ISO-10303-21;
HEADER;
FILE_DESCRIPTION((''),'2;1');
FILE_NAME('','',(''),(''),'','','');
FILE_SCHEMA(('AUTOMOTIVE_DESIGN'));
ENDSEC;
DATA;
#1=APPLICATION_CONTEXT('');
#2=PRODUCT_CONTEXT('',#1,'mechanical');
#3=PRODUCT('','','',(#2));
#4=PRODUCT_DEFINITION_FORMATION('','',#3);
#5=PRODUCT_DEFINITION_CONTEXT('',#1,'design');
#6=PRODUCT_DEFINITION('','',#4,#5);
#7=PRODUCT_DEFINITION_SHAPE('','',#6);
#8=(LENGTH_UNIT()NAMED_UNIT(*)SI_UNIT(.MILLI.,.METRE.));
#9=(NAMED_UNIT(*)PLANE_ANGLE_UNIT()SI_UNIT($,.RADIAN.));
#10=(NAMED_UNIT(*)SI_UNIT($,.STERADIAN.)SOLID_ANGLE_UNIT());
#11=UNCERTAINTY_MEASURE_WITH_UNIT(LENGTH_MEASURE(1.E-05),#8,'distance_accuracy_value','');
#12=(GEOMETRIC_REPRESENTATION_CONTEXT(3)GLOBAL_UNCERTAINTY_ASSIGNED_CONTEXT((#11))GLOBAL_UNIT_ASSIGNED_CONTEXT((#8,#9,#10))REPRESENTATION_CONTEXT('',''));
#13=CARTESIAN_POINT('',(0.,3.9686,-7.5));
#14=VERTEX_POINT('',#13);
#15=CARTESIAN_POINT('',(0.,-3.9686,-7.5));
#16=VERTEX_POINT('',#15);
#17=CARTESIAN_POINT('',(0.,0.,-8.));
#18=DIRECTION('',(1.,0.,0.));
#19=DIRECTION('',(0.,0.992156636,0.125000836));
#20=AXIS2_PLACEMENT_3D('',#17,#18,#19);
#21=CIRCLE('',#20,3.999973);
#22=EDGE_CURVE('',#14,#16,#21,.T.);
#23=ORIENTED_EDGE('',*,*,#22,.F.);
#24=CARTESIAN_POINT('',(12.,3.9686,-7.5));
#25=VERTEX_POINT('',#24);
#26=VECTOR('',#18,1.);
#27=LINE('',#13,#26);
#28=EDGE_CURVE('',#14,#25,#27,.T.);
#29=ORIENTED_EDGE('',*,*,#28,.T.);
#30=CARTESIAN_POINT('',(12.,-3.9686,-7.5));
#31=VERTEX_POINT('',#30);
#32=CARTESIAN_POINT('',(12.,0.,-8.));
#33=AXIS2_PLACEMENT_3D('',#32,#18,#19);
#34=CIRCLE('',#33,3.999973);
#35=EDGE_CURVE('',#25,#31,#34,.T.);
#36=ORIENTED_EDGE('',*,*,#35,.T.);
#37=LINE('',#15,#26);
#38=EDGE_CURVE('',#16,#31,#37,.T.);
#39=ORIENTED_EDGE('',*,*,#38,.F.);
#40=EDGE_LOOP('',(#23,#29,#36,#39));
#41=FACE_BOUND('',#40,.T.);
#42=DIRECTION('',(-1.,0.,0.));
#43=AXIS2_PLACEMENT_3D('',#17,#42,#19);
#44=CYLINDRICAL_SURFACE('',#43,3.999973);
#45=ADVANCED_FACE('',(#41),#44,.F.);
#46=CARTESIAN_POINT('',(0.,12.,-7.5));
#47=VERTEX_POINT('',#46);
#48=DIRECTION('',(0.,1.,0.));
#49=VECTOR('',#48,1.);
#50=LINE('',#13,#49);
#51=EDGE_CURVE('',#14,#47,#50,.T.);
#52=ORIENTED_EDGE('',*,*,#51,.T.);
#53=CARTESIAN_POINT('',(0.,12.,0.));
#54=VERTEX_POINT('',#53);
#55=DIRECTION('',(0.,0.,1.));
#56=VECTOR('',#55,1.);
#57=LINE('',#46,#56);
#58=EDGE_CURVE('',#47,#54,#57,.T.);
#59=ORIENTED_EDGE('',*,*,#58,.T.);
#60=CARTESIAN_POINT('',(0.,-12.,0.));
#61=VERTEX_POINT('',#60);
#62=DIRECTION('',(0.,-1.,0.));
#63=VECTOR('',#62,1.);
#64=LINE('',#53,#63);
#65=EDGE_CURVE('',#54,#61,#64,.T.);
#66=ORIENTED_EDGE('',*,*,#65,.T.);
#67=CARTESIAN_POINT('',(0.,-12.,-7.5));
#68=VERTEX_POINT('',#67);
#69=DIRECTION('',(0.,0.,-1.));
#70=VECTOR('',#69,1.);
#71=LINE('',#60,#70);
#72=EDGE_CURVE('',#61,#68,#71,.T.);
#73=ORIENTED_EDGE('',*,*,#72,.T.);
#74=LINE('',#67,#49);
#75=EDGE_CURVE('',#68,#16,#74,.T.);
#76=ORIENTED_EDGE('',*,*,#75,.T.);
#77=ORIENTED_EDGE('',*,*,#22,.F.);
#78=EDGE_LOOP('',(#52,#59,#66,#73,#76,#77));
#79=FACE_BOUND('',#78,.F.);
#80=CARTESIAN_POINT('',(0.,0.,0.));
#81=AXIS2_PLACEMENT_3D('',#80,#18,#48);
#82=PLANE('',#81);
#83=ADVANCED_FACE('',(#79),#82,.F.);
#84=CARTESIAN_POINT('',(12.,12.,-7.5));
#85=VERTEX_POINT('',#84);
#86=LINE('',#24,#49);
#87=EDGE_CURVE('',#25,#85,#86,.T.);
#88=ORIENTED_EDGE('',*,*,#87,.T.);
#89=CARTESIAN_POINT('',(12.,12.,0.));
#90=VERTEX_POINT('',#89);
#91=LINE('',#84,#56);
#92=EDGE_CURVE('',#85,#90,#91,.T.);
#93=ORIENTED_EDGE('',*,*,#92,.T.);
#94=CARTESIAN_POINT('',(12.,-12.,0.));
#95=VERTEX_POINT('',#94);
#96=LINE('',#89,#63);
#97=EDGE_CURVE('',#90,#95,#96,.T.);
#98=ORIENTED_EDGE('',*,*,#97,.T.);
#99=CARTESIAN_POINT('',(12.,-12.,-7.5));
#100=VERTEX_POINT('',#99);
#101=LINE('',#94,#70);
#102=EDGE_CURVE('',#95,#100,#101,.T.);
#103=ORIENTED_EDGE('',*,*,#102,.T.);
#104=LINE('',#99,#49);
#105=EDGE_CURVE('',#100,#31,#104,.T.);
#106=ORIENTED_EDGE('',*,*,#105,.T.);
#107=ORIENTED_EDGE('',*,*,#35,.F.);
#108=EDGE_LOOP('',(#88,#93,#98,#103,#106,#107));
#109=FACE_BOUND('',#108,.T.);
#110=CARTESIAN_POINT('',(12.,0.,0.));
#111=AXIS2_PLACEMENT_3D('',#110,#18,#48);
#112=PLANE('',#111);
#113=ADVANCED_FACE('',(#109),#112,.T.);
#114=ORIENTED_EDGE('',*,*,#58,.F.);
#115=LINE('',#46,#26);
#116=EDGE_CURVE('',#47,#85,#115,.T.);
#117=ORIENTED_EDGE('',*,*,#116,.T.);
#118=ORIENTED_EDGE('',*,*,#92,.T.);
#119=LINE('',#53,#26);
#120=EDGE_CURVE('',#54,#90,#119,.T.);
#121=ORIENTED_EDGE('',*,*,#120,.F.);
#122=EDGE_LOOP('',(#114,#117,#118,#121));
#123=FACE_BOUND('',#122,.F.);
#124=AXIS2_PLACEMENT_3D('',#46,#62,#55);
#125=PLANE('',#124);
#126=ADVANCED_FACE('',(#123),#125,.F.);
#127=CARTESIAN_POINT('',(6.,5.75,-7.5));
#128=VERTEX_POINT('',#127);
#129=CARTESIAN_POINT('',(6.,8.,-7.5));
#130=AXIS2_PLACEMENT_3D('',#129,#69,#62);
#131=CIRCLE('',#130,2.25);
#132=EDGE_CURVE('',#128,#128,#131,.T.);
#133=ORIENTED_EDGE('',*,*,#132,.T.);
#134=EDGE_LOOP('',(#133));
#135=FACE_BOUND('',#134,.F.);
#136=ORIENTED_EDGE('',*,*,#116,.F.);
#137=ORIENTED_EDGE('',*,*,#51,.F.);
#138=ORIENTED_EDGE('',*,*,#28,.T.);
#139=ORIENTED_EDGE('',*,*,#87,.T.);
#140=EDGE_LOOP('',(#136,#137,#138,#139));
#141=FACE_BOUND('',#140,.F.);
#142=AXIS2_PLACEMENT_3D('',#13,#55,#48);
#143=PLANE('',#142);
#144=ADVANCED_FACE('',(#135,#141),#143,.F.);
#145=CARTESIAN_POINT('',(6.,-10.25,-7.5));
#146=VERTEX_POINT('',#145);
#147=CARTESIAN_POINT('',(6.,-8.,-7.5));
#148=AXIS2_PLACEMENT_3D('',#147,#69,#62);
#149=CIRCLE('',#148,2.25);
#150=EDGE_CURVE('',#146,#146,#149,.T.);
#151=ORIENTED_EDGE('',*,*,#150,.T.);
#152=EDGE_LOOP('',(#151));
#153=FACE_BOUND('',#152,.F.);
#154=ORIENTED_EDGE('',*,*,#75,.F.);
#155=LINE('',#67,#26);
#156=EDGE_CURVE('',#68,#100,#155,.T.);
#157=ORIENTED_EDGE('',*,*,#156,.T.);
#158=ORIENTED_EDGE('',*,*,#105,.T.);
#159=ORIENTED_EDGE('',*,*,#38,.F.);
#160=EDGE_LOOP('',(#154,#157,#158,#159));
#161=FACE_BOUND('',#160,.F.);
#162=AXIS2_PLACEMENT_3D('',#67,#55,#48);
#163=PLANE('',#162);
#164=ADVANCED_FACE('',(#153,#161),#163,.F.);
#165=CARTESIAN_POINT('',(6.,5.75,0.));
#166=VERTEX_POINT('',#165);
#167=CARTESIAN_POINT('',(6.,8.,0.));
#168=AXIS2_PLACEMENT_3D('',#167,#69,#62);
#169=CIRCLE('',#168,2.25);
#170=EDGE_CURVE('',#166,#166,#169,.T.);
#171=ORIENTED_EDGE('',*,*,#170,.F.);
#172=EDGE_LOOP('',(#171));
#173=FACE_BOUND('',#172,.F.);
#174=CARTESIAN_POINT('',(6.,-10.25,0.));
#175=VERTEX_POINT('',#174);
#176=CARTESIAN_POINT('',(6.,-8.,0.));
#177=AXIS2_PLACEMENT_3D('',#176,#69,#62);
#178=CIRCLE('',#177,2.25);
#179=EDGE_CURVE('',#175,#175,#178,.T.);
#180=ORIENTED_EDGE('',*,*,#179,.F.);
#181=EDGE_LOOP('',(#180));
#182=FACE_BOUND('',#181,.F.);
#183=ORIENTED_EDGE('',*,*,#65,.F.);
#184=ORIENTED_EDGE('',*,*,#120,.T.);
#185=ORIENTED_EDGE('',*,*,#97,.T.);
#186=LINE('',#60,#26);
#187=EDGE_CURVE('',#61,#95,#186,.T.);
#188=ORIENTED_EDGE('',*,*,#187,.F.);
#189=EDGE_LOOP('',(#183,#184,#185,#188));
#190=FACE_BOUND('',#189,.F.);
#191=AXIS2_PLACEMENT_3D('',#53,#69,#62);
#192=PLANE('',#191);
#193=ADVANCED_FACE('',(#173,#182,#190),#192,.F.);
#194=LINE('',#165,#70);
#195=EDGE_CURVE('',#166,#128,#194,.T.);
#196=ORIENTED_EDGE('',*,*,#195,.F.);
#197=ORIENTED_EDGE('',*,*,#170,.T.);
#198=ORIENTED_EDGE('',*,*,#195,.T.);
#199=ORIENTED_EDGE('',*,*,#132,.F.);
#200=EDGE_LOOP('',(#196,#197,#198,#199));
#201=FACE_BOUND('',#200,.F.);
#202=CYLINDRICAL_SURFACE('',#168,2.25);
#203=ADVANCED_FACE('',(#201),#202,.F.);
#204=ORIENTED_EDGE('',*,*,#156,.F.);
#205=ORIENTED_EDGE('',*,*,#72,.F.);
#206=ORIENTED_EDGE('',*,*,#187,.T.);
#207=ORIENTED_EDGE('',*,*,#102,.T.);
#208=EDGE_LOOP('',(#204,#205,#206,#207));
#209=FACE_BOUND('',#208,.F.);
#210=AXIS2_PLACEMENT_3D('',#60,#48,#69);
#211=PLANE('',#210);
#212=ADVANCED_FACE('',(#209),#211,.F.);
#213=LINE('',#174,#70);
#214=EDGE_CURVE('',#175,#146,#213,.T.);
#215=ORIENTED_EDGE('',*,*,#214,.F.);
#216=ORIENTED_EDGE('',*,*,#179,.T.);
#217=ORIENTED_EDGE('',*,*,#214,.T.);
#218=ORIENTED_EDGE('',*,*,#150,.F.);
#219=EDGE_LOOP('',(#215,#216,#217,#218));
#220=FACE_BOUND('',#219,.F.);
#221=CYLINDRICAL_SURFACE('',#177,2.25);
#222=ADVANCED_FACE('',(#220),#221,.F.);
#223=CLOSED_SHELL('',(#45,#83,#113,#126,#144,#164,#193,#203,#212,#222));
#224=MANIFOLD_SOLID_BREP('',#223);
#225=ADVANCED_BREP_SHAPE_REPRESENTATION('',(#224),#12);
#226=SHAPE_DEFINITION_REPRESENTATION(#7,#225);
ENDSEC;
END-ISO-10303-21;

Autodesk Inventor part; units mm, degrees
ref_plane "YZ Plane" through (0, 0, 0) normal (1, 0, 0) x (0, 1, 0)
ref_plane "XZ Plane" through (0, 0, 0) normal (0, 1, 0) x (-1, 0, 0)
ref_plane "XY Plane" through (0, 0, 0) normal (0, 0, 1) x (1, 0, 0)
sketch "Sketch1" plane through (0, 0, 0) normal (1, 0, 0) x (0, 1, 0)
  arc A0 (3.9686, -7.5) -> (-3.9686, -7.5) centre (0, -8) ccw
  line L0 (3.9686, -7.5) -> (12, -7.5)
  line L1 (-12, -7.5) -> (-3.9686, -7.5)
  line L2 (-12, 0) -> (-12, -7.5)
  line L3 (12, -7.5) -> (12, 0)
  line L4 (12, 0) -> (-12, 0)
extrude "Extrusion1" add sketch "Sketch1" along normal blind 12
hole "Hole2" at (6, -8, 0) direction (0, 0, -1) diameter 4.5 depth 7.5
sketch "Sketch2" plane through (0, 0, 0) normal (0, 0, 1) x (1, 0, 0)
  point P0 (6, -8)
hole "Hole1" at (6, 8, 0) direction (0, 0, -1) diameter 4.5 depth 7.5
sketch "Sketch3" plane through (0, 0, 0) normal (0, 0, 1) x (1, 0, 0)
  point P0 (6, 8)
properties part number "X-axis Rod holder" material "ASA Plastic"
